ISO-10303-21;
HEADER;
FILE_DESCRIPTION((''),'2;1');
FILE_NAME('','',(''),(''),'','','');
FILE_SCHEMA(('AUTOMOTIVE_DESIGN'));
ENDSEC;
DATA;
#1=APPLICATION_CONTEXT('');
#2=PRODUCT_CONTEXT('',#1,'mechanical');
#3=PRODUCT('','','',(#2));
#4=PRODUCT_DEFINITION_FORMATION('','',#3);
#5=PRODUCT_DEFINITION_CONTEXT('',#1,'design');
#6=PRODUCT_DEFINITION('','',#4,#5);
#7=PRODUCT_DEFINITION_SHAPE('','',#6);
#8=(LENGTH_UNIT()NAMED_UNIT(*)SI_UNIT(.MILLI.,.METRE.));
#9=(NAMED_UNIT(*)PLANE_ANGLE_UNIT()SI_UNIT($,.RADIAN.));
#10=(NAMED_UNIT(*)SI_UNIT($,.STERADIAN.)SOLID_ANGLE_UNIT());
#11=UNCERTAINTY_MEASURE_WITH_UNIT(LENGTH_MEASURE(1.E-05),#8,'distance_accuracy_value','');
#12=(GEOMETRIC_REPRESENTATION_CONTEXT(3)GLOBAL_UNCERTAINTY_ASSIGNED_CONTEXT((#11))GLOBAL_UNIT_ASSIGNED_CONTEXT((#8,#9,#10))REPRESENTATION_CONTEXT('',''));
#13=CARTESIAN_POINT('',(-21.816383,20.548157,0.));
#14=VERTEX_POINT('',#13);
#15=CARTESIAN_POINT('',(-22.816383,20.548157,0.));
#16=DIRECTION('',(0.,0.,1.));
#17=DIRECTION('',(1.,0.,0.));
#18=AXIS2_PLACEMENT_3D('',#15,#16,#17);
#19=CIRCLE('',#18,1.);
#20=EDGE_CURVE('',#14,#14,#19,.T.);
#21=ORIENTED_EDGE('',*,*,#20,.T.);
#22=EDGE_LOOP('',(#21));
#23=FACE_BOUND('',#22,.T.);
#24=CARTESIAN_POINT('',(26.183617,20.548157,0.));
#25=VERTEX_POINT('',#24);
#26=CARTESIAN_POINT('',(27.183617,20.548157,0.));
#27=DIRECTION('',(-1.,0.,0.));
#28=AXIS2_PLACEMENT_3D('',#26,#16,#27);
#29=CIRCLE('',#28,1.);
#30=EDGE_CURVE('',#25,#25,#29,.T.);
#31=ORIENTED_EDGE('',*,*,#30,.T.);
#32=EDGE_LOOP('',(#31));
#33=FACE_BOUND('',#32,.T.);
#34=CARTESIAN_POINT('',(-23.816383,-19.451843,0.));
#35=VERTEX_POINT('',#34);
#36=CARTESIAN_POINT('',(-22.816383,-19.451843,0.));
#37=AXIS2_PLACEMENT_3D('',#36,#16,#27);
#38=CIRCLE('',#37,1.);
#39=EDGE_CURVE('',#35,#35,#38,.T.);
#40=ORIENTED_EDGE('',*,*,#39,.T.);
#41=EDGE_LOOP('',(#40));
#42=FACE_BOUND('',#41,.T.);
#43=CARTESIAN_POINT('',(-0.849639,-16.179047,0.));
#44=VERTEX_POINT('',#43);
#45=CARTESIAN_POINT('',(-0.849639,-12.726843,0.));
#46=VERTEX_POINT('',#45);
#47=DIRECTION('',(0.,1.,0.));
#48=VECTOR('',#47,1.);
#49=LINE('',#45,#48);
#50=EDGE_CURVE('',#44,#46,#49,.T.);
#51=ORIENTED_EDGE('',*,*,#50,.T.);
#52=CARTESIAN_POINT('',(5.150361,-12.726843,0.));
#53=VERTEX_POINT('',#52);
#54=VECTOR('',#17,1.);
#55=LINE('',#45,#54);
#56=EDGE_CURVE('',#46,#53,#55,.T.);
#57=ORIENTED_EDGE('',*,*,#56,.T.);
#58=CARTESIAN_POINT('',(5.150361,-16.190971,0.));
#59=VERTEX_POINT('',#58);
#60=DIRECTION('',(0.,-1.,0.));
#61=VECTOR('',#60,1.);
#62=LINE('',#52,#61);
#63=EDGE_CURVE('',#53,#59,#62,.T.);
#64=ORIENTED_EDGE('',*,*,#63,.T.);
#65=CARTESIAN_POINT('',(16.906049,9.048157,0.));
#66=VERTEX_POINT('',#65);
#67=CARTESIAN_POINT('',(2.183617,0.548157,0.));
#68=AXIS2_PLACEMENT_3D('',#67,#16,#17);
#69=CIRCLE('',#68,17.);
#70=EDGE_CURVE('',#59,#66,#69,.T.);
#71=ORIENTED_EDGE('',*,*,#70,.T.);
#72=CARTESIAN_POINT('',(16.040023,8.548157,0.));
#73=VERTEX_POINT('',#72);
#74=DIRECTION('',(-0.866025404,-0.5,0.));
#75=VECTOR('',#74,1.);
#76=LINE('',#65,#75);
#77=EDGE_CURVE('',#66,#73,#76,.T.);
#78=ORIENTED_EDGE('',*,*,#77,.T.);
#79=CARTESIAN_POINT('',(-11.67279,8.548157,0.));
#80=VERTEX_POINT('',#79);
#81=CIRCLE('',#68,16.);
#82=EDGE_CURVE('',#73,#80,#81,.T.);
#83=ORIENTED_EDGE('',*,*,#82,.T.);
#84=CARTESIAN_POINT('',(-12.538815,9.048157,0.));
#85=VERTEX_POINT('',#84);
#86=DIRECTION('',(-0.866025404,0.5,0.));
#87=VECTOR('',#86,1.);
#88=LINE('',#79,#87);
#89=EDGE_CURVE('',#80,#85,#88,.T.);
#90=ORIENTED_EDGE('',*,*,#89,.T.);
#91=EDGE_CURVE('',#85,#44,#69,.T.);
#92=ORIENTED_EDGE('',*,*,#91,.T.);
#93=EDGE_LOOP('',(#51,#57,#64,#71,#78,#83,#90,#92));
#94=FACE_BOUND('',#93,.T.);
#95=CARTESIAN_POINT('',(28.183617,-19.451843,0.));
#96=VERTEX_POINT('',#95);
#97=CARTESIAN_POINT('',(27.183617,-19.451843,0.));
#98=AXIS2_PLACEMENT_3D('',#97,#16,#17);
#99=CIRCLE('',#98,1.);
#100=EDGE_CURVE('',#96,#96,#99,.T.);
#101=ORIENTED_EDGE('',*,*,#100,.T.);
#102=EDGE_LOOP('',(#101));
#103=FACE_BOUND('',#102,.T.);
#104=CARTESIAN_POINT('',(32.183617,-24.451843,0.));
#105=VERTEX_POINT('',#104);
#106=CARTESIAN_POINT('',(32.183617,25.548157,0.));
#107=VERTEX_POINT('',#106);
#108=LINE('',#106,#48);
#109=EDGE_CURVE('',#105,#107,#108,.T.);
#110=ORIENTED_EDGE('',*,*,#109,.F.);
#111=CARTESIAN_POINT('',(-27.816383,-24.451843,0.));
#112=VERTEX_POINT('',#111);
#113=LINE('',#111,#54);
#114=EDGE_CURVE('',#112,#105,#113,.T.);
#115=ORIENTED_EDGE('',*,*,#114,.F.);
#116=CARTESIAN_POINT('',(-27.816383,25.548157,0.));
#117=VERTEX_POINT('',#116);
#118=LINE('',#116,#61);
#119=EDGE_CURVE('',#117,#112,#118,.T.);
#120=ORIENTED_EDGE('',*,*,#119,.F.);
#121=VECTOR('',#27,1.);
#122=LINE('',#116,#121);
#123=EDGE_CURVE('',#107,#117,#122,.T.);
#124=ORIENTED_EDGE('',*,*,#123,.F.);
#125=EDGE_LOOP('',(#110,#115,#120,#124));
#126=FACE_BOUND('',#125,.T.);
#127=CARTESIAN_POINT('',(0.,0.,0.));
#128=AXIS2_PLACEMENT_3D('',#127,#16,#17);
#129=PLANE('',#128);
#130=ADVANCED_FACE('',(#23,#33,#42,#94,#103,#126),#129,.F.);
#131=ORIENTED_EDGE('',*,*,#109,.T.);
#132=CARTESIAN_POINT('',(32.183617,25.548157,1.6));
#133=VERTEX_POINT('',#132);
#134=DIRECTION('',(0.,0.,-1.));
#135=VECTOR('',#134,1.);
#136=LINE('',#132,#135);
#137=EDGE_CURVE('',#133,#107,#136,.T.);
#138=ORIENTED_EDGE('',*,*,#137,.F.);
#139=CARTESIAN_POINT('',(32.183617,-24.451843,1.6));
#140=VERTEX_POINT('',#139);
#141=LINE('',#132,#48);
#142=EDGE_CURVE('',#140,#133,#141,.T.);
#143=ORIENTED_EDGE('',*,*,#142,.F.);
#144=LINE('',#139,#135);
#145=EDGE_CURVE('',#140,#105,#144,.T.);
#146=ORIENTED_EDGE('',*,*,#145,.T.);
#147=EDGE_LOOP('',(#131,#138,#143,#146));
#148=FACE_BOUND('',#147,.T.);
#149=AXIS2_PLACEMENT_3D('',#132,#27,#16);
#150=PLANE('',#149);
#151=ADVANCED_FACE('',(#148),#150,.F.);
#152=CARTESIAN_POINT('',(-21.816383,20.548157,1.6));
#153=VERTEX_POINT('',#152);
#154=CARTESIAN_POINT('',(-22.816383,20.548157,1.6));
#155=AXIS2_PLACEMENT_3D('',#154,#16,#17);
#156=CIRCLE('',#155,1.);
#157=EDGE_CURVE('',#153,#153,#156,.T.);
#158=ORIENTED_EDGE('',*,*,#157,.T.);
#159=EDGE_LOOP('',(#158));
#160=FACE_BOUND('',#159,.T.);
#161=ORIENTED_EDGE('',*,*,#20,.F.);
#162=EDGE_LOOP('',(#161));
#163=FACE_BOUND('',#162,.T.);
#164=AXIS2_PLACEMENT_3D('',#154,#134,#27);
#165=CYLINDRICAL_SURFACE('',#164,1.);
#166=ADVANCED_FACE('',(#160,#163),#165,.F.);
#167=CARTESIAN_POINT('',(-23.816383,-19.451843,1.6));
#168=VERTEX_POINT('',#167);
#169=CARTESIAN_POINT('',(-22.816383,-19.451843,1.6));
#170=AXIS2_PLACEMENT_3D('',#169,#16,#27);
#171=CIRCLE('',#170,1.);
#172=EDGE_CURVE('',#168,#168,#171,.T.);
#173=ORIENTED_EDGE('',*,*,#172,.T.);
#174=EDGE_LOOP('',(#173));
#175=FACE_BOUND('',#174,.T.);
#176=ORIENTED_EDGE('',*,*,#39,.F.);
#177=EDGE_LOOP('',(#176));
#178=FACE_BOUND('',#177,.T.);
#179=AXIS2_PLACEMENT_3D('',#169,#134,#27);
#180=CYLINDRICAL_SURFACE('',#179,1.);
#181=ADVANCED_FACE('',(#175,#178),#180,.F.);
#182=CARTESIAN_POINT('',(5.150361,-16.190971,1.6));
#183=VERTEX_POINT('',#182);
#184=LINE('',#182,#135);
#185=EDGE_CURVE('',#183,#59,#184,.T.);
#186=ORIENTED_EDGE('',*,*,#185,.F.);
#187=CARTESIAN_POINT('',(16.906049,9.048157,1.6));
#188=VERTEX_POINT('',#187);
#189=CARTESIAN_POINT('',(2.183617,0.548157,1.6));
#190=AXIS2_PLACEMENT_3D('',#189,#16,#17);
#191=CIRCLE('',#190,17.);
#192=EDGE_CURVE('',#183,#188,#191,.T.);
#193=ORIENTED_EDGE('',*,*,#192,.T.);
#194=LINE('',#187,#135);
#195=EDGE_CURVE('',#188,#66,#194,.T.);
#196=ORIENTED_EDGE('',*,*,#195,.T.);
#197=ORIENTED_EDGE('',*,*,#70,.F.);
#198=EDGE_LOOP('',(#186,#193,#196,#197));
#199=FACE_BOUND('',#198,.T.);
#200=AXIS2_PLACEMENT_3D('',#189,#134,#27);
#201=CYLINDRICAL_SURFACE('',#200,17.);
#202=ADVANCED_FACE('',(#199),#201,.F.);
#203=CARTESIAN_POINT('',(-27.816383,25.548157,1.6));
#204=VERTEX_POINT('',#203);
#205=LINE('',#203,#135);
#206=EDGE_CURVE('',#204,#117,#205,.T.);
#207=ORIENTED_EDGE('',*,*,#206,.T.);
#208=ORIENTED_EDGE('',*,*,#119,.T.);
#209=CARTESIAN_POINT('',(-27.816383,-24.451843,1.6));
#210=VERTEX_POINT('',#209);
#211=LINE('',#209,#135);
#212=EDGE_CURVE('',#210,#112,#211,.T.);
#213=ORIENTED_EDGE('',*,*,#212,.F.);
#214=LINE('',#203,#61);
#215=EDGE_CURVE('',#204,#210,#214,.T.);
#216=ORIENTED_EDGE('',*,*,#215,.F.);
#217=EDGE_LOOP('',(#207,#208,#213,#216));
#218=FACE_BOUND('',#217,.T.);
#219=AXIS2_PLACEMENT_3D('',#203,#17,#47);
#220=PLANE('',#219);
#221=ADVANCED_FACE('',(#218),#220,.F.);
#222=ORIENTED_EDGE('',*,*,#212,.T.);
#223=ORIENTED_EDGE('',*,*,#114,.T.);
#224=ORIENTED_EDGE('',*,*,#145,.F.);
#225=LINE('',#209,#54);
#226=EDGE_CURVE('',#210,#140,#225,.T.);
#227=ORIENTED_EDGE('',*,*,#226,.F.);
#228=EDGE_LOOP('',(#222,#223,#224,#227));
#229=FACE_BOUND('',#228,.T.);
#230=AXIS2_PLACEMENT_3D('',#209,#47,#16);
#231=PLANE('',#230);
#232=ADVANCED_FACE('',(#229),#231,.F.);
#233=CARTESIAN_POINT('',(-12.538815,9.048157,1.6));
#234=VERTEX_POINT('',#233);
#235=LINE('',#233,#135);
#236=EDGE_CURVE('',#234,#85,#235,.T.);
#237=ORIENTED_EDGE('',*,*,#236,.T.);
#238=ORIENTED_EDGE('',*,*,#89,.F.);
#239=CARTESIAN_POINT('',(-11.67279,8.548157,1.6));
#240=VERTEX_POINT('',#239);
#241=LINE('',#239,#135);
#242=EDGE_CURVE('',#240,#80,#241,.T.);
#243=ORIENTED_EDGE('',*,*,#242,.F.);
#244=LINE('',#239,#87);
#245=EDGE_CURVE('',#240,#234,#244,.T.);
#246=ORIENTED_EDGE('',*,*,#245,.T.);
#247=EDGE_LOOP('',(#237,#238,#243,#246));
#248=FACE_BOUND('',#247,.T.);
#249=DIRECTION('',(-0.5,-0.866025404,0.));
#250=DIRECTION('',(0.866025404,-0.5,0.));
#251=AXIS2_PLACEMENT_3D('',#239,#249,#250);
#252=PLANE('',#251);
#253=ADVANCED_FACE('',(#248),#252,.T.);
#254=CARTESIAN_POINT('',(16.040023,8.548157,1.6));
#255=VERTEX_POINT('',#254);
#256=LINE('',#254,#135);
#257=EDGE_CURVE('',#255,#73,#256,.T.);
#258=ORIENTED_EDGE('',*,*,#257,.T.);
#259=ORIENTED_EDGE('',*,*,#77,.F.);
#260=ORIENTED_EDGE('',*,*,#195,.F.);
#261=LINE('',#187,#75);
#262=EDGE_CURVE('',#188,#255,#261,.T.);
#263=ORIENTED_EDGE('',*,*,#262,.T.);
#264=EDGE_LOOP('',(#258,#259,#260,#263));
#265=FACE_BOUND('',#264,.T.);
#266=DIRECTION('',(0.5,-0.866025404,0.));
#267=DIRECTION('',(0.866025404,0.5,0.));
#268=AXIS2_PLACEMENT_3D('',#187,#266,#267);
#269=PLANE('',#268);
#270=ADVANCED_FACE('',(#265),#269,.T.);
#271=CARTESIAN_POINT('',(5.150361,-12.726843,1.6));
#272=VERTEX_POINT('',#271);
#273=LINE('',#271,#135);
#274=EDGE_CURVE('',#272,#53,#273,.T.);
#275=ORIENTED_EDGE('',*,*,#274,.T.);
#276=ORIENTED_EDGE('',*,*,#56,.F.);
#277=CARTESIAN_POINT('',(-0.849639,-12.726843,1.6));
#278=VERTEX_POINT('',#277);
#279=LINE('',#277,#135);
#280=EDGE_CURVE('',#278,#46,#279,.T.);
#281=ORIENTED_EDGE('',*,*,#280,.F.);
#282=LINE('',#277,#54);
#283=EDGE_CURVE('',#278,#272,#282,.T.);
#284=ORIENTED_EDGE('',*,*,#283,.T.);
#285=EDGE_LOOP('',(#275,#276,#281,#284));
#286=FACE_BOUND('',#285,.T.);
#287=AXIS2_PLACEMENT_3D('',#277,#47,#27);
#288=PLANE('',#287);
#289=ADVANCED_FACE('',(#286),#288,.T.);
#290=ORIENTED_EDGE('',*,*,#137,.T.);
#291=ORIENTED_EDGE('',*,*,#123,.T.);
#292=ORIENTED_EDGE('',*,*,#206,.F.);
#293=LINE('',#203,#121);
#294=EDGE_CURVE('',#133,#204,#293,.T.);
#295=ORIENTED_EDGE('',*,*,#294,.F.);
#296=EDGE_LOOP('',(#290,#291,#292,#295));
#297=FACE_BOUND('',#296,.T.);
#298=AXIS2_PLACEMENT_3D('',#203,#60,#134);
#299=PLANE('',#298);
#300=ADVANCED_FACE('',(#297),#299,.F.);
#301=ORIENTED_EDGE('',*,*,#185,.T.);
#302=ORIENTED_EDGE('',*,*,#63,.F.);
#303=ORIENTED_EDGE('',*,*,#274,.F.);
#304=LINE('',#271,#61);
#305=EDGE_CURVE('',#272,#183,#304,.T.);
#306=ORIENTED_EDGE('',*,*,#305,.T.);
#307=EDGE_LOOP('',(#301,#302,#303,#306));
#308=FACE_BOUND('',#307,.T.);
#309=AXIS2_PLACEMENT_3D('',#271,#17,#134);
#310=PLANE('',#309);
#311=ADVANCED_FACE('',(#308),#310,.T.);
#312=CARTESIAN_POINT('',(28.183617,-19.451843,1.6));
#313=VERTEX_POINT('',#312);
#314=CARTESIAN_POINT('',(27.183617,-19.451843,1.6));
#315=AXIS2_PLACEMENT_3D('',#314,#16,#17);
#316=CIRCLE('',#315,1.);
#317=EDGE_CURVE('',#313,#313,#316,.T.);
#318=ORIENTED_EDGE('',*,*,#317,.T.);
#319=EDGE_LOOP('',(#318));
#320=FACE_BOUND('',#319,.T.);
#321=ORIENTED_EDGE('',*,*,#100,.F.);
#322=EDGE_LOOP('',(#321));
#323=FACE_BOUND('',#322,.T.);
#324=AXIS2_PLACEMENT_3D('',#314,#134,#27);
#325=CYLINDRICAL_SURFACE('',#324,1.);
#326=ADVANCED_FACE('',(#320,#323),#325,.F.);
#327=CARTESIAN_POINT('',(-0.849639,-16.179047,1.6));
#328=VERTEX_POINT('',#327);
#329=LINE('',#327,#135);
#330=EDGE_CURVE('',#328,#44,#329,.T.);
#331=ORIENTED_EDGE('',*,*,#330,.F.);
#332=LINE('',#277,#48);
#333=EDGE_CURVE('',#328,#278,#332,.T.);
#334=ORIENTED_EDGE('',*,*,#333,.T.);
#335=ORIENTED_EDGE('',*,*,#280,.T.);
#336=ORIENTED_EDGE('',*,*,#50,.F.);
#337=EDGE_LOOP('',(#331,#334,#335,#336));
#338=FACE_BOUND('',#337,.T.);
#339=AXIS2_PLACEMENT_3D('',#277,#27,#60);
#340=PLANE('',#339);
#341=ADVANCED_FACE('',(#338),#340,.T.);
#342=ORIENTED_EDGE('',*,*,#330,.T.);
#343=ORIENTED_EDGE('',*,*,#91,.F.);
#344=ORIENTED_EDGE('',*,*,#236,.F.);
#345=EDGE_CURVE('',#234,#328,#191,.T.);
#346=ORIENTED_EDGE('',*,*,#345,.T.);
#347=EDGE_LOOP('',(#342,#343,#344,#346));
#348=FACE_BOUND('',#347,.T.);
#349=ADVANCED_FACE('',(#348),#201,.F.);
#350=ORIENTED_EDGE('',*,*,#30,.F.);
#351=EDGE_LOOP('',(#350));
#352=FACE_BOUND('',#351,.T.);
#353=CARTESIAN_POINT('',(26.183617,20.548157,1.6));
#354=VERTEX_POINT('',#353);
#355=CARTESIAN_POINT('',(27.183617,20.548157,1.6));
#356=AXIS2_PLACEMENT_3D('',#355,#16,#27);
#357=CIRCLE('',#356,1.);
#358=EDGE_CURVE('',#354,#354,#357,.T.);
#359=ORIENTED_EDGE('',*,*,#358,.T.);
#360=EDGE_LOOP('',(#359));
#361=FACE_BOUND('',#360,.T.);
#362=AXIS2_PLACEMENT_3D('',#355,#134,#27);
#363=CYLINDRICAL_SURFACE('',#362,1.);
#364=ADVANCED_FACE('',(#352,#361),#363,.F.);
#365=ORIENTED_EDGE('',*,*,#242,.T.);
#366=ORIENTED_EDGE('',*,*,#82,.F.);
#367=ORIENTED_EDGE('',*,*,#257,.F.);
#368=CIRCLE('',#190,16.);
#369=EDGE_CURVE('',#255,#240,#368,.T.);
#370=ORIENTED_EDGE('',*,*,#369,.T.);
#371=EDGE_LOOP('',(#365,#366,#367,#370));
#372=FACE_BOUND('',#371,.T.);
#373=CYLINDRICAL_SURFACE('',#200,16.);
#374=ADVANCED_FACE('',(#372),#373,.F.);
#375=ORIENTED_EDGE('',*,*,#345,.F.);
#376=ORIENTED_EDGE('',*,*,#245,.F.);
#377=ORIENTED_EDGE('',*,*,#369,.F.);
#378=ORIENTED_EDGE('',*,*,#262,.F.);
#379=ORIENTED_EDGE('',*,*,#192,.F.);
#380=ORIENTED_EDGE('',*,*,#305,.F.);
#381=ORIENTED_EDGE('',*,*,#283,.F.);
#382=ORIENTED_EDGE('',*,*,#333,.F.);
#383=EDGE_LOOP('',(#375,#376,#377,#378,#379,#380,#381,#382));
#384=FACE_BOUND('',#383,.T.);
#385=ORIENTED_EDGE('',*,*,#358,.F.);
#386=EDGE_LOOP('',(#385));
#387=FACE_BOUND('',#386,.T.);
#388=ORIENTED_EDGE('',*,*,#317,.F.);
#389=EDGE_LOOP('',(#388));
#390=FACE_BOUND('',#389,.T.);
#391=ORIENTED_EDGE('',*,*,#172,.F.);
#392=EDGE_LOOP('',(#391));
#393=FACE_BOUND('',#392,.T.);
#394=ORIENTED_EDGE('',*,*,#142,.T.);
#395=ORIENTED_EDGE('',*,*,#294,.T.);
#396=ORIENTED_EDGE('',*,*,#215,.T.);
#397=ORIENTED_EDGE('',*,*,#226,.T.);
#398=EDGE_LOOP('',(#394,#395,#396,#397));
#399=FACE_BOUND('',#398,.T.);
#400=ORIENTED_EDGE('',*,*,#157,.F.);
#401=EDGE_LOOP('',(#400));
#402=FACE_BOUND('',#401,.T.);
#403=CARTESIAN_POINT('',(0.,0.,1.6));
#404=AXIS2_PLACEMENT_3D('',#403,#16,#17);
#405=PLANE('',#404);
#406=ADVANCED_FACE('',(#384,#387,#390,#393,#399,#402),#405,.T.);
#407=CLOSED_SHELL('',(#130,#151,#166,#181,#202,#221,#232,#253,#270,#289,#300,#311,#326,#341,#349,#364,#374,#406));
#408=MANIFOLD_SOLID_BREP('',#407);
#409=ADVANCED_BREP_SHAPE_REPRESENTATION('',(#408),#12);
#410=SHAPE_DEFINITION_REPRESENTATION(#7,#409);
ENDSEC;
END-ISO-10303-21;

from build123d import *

# Parameters (mm, degrees)
SKETCH1_W           = 60
SKETCH1_H           = 50
SKETCH1_R           = 1
BOSS_EXTRUDE1_DEPTH = 1.6


with BuildPart() as part:
    # Sketch1 → Boss-Extrude1 (new body)
    with BuildSketch(Plane.XY):
        with Locations((2.183616654, 0.548157273)):
            Rectangle(SKETCH1_W, SKETCH1_H)
        with Locations((-22.816383346, 20.548157273)):
            Circle(SKETCH1_R, mode=Mode.SUBTRACT)
        with Locations(Location((27.183616654, 20.548157273, 0), (0, 0, 180))):
            Circle(SKETCH1_R, mode=Mode.SUBTRACT)
        with Locations((27.183616654, -19.451842727)):
            Circle(SKETCH1_R, mode=Mode.SUBTRACT)
        with Locations(Location((-22.816383346, -19.451842727, 0), (0, 0, 180))):
            Circle(SKETCH1_R, mode=Mode.SUBTRACT)
        with BuildLine():
            Line((-0.849639296, -12.726842727), (5.150360704, -12.726842727))
            Line((5.150360704, -12.726842727), (5.150360704, -16.19097143))
            ThreePointArc((5.150360704, -16.19097143), (17.594007322, -6.629576314), (16.906048518, 9.048157273))
            Line((16.906048518, 9.048157273), (16.040023114, 8.548157273))
            ThreePointArc((16.040023114, 8.548157273), (2.183616654, 16.548157273), (-11.672789807, 8.548157273))
            Line((-11.672789807, 8.548157273), (-12.538815211, 9.048157273))
            ThreePointArc((-12.538815211, 9.048157273), (-13.241008775, -6.598935169), (-0.849639296, -16.179046867))
            Line((-0.849639296, -16.179046867), (-0.849639296, -12.726842727))
        make_face(mode=Mode.SUBTRACT)
    extrude(amount=BOSS_EXTRUDE1_DEPTH)


solid = part.part
